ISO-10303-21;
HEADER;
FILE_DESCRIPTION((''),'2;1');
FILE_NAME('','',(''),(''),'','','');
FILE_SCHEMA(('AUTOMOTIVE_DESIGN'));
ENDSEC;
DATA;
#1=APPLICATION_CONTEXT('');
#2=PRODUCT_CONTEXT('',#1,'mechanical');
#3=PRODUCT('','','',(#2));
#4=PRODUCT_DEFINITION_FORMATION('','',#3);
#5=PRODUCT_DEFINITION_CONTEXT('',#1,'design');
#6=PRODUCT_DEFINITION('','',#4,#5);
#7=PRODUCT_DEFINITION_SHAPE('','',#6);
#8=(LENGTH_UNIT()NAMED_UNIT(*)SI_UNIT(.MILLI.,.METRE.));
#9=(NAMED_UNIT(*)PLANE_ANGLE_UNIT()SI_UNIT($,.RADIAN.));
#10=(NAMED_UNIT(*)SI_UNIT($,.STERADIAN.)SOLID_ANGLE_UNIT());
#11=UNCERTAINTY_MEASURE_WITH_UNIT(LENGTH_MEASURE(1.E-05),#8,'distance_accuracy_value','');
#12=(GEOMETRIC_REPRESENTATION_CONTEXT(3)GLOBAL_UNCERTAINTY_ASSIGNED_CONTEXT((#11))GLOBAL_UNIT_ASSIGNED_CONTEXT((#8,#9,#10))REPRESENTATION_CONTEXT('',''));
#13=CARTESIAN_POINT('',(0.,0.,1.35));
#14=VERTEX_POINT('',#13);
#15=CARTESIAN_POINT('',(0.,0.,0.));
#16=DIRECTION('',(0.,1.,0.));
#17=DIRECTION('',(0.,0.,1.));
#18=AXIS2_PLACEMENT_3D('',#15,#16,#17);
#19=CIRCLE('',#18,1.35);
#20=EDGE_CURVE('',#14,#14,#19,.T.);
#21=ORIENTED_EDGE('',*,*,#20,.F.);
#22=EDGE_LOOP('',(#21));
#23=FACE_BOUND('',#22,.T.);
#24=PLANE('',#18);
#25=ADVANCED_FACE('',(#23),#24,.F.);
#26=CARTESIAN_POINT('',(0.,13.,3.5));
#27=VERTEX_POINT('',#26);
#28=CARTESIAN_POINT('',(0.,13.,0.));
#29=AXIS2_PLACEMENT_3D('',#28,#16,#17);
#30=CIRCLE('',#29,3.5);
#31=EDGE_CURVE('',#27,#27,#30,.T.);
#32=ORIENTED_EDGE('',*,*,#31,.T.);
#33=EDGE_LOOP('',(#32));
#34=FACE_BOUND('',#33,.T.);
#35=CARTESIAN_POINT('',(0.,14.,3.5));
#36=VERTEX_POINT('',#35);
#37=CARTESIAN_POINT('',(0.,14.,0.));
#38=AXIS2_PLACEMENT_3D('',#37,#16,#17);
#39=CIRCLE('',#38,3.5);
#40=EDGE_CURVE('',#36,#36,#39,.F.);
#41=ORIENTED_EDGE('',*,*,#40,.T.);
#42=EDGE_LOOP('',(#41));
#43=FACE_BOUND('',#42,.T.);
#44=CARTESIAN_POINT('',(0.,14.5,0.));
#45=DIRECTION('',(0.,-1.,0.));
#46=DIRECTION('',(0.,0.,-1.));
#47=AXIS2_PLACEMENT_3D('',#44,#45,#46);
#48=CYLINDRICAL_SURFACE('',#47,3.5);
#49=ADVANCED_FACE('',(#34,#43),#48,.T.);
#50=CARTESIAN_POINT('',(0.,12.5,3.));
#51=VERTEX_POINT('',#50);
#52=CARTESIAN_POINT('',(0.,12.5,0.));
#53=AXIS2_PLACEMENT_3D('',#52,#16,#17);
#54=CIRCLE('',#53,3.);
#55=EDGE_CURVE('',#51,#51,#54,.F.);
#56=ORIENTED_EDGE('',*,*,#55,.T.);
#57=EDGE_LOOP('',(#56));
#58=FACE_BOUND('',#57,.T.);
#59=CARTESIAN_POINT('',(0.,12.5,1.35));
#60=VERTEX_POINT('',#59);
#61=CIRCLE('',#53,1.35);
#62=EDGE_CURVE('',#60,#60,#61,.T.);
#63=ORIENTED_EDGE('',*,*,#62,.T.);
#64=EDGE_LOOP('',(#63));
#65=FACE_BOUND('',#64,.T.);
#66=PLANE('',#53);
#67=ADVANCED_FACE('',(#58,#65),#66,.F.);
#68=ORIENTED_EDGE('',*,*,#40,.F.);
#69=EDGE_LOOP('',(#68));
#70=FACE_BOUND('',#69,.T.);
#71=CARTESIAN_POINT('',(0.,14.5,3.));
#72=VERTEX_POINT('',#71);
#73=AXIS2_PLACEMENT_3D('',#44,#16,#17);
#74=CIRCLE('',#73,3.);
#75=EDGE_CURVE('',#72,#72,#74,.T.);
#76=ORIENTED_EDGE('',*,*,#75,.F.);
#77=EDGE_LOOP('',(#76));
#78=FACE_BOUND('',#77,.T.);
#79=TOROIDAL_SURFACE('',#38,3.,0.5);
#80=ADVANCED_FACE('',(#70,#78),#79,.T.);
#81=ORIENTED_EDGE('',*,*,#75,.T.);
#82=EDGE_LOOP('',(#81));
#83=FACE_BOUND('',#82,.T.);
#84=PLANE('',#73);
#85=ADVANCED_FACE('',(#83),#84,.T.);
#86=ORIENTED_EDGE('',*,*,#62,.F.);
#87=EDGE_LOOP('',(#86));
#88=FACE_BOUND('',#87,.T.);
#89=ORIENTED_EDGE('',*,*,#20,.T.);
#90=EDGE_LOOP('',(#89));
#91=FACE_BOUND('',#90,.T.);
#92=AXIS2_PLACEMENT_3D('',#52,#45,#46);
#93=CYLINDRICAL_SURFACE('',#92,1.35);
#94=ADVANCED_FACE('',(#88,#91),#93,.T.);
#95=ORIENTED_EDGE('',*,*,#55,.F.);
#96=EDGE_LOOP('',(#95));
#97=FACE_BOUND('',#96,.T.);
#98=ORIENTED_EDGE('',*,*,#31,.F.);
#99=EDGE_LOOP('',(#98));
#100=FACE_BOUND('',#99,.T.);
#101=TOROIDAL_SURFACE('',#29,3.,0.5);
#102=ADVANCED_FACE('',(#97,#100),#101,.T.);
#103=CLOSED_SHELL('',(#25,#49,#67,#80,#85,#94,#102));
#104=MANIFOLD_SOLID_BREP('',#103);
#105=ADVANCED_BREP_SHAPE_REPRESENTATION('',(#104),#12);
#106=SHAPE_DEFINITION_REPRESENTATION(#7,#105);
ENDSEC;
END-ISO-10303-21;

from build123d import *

# Parameters (mm, degrees)
SKETCH1_R           = 1.35
BOSS_EXTRUDE1_DEPTH = 12.5
SKETCH2_R           = 3.5
BOSS_EXTRUDE2_DEPTH = 2
FILLET1_R           = 0.5


with BuildPart() as part:
    # Sketch1 → Boss-Extrude1 (new body)
    with BuildSketch(Plane(origin=(0, 0, 0), x_dir=(1, 0, 0), z_dir=(0, 1, 0))):
        with Locations(Location((0, 0, 0), (0, 0, 270))):
            Circle(SKETCH1_R)
    extrude(amount=BOSS_EXTRUDE1_DEPTH)

    # Sketch2 → Boss-Extrude2 (add)
    with BuildSketch(Plane(origin=(0, 12.5, 0), x_dir=(1, 0, 0), z_dir=(0, 1, 0))):
        with Locations(Location((0, 0, 0), (0, 0, 270))):
            Circle(SKETCH2_R)
    extrude(amount=BOSS_EXTRUDE2_DEPTH)

    # Fillet1
    fillet1_edges = [part.edges().sort_by_distance(p)[0] for p in [
        (0, 12.5, -3.5),
        (0, 14.5, -3.5),
    ]]
    fillet(fillet1_edges, radius=FILLET1_R)


solid = part.part
